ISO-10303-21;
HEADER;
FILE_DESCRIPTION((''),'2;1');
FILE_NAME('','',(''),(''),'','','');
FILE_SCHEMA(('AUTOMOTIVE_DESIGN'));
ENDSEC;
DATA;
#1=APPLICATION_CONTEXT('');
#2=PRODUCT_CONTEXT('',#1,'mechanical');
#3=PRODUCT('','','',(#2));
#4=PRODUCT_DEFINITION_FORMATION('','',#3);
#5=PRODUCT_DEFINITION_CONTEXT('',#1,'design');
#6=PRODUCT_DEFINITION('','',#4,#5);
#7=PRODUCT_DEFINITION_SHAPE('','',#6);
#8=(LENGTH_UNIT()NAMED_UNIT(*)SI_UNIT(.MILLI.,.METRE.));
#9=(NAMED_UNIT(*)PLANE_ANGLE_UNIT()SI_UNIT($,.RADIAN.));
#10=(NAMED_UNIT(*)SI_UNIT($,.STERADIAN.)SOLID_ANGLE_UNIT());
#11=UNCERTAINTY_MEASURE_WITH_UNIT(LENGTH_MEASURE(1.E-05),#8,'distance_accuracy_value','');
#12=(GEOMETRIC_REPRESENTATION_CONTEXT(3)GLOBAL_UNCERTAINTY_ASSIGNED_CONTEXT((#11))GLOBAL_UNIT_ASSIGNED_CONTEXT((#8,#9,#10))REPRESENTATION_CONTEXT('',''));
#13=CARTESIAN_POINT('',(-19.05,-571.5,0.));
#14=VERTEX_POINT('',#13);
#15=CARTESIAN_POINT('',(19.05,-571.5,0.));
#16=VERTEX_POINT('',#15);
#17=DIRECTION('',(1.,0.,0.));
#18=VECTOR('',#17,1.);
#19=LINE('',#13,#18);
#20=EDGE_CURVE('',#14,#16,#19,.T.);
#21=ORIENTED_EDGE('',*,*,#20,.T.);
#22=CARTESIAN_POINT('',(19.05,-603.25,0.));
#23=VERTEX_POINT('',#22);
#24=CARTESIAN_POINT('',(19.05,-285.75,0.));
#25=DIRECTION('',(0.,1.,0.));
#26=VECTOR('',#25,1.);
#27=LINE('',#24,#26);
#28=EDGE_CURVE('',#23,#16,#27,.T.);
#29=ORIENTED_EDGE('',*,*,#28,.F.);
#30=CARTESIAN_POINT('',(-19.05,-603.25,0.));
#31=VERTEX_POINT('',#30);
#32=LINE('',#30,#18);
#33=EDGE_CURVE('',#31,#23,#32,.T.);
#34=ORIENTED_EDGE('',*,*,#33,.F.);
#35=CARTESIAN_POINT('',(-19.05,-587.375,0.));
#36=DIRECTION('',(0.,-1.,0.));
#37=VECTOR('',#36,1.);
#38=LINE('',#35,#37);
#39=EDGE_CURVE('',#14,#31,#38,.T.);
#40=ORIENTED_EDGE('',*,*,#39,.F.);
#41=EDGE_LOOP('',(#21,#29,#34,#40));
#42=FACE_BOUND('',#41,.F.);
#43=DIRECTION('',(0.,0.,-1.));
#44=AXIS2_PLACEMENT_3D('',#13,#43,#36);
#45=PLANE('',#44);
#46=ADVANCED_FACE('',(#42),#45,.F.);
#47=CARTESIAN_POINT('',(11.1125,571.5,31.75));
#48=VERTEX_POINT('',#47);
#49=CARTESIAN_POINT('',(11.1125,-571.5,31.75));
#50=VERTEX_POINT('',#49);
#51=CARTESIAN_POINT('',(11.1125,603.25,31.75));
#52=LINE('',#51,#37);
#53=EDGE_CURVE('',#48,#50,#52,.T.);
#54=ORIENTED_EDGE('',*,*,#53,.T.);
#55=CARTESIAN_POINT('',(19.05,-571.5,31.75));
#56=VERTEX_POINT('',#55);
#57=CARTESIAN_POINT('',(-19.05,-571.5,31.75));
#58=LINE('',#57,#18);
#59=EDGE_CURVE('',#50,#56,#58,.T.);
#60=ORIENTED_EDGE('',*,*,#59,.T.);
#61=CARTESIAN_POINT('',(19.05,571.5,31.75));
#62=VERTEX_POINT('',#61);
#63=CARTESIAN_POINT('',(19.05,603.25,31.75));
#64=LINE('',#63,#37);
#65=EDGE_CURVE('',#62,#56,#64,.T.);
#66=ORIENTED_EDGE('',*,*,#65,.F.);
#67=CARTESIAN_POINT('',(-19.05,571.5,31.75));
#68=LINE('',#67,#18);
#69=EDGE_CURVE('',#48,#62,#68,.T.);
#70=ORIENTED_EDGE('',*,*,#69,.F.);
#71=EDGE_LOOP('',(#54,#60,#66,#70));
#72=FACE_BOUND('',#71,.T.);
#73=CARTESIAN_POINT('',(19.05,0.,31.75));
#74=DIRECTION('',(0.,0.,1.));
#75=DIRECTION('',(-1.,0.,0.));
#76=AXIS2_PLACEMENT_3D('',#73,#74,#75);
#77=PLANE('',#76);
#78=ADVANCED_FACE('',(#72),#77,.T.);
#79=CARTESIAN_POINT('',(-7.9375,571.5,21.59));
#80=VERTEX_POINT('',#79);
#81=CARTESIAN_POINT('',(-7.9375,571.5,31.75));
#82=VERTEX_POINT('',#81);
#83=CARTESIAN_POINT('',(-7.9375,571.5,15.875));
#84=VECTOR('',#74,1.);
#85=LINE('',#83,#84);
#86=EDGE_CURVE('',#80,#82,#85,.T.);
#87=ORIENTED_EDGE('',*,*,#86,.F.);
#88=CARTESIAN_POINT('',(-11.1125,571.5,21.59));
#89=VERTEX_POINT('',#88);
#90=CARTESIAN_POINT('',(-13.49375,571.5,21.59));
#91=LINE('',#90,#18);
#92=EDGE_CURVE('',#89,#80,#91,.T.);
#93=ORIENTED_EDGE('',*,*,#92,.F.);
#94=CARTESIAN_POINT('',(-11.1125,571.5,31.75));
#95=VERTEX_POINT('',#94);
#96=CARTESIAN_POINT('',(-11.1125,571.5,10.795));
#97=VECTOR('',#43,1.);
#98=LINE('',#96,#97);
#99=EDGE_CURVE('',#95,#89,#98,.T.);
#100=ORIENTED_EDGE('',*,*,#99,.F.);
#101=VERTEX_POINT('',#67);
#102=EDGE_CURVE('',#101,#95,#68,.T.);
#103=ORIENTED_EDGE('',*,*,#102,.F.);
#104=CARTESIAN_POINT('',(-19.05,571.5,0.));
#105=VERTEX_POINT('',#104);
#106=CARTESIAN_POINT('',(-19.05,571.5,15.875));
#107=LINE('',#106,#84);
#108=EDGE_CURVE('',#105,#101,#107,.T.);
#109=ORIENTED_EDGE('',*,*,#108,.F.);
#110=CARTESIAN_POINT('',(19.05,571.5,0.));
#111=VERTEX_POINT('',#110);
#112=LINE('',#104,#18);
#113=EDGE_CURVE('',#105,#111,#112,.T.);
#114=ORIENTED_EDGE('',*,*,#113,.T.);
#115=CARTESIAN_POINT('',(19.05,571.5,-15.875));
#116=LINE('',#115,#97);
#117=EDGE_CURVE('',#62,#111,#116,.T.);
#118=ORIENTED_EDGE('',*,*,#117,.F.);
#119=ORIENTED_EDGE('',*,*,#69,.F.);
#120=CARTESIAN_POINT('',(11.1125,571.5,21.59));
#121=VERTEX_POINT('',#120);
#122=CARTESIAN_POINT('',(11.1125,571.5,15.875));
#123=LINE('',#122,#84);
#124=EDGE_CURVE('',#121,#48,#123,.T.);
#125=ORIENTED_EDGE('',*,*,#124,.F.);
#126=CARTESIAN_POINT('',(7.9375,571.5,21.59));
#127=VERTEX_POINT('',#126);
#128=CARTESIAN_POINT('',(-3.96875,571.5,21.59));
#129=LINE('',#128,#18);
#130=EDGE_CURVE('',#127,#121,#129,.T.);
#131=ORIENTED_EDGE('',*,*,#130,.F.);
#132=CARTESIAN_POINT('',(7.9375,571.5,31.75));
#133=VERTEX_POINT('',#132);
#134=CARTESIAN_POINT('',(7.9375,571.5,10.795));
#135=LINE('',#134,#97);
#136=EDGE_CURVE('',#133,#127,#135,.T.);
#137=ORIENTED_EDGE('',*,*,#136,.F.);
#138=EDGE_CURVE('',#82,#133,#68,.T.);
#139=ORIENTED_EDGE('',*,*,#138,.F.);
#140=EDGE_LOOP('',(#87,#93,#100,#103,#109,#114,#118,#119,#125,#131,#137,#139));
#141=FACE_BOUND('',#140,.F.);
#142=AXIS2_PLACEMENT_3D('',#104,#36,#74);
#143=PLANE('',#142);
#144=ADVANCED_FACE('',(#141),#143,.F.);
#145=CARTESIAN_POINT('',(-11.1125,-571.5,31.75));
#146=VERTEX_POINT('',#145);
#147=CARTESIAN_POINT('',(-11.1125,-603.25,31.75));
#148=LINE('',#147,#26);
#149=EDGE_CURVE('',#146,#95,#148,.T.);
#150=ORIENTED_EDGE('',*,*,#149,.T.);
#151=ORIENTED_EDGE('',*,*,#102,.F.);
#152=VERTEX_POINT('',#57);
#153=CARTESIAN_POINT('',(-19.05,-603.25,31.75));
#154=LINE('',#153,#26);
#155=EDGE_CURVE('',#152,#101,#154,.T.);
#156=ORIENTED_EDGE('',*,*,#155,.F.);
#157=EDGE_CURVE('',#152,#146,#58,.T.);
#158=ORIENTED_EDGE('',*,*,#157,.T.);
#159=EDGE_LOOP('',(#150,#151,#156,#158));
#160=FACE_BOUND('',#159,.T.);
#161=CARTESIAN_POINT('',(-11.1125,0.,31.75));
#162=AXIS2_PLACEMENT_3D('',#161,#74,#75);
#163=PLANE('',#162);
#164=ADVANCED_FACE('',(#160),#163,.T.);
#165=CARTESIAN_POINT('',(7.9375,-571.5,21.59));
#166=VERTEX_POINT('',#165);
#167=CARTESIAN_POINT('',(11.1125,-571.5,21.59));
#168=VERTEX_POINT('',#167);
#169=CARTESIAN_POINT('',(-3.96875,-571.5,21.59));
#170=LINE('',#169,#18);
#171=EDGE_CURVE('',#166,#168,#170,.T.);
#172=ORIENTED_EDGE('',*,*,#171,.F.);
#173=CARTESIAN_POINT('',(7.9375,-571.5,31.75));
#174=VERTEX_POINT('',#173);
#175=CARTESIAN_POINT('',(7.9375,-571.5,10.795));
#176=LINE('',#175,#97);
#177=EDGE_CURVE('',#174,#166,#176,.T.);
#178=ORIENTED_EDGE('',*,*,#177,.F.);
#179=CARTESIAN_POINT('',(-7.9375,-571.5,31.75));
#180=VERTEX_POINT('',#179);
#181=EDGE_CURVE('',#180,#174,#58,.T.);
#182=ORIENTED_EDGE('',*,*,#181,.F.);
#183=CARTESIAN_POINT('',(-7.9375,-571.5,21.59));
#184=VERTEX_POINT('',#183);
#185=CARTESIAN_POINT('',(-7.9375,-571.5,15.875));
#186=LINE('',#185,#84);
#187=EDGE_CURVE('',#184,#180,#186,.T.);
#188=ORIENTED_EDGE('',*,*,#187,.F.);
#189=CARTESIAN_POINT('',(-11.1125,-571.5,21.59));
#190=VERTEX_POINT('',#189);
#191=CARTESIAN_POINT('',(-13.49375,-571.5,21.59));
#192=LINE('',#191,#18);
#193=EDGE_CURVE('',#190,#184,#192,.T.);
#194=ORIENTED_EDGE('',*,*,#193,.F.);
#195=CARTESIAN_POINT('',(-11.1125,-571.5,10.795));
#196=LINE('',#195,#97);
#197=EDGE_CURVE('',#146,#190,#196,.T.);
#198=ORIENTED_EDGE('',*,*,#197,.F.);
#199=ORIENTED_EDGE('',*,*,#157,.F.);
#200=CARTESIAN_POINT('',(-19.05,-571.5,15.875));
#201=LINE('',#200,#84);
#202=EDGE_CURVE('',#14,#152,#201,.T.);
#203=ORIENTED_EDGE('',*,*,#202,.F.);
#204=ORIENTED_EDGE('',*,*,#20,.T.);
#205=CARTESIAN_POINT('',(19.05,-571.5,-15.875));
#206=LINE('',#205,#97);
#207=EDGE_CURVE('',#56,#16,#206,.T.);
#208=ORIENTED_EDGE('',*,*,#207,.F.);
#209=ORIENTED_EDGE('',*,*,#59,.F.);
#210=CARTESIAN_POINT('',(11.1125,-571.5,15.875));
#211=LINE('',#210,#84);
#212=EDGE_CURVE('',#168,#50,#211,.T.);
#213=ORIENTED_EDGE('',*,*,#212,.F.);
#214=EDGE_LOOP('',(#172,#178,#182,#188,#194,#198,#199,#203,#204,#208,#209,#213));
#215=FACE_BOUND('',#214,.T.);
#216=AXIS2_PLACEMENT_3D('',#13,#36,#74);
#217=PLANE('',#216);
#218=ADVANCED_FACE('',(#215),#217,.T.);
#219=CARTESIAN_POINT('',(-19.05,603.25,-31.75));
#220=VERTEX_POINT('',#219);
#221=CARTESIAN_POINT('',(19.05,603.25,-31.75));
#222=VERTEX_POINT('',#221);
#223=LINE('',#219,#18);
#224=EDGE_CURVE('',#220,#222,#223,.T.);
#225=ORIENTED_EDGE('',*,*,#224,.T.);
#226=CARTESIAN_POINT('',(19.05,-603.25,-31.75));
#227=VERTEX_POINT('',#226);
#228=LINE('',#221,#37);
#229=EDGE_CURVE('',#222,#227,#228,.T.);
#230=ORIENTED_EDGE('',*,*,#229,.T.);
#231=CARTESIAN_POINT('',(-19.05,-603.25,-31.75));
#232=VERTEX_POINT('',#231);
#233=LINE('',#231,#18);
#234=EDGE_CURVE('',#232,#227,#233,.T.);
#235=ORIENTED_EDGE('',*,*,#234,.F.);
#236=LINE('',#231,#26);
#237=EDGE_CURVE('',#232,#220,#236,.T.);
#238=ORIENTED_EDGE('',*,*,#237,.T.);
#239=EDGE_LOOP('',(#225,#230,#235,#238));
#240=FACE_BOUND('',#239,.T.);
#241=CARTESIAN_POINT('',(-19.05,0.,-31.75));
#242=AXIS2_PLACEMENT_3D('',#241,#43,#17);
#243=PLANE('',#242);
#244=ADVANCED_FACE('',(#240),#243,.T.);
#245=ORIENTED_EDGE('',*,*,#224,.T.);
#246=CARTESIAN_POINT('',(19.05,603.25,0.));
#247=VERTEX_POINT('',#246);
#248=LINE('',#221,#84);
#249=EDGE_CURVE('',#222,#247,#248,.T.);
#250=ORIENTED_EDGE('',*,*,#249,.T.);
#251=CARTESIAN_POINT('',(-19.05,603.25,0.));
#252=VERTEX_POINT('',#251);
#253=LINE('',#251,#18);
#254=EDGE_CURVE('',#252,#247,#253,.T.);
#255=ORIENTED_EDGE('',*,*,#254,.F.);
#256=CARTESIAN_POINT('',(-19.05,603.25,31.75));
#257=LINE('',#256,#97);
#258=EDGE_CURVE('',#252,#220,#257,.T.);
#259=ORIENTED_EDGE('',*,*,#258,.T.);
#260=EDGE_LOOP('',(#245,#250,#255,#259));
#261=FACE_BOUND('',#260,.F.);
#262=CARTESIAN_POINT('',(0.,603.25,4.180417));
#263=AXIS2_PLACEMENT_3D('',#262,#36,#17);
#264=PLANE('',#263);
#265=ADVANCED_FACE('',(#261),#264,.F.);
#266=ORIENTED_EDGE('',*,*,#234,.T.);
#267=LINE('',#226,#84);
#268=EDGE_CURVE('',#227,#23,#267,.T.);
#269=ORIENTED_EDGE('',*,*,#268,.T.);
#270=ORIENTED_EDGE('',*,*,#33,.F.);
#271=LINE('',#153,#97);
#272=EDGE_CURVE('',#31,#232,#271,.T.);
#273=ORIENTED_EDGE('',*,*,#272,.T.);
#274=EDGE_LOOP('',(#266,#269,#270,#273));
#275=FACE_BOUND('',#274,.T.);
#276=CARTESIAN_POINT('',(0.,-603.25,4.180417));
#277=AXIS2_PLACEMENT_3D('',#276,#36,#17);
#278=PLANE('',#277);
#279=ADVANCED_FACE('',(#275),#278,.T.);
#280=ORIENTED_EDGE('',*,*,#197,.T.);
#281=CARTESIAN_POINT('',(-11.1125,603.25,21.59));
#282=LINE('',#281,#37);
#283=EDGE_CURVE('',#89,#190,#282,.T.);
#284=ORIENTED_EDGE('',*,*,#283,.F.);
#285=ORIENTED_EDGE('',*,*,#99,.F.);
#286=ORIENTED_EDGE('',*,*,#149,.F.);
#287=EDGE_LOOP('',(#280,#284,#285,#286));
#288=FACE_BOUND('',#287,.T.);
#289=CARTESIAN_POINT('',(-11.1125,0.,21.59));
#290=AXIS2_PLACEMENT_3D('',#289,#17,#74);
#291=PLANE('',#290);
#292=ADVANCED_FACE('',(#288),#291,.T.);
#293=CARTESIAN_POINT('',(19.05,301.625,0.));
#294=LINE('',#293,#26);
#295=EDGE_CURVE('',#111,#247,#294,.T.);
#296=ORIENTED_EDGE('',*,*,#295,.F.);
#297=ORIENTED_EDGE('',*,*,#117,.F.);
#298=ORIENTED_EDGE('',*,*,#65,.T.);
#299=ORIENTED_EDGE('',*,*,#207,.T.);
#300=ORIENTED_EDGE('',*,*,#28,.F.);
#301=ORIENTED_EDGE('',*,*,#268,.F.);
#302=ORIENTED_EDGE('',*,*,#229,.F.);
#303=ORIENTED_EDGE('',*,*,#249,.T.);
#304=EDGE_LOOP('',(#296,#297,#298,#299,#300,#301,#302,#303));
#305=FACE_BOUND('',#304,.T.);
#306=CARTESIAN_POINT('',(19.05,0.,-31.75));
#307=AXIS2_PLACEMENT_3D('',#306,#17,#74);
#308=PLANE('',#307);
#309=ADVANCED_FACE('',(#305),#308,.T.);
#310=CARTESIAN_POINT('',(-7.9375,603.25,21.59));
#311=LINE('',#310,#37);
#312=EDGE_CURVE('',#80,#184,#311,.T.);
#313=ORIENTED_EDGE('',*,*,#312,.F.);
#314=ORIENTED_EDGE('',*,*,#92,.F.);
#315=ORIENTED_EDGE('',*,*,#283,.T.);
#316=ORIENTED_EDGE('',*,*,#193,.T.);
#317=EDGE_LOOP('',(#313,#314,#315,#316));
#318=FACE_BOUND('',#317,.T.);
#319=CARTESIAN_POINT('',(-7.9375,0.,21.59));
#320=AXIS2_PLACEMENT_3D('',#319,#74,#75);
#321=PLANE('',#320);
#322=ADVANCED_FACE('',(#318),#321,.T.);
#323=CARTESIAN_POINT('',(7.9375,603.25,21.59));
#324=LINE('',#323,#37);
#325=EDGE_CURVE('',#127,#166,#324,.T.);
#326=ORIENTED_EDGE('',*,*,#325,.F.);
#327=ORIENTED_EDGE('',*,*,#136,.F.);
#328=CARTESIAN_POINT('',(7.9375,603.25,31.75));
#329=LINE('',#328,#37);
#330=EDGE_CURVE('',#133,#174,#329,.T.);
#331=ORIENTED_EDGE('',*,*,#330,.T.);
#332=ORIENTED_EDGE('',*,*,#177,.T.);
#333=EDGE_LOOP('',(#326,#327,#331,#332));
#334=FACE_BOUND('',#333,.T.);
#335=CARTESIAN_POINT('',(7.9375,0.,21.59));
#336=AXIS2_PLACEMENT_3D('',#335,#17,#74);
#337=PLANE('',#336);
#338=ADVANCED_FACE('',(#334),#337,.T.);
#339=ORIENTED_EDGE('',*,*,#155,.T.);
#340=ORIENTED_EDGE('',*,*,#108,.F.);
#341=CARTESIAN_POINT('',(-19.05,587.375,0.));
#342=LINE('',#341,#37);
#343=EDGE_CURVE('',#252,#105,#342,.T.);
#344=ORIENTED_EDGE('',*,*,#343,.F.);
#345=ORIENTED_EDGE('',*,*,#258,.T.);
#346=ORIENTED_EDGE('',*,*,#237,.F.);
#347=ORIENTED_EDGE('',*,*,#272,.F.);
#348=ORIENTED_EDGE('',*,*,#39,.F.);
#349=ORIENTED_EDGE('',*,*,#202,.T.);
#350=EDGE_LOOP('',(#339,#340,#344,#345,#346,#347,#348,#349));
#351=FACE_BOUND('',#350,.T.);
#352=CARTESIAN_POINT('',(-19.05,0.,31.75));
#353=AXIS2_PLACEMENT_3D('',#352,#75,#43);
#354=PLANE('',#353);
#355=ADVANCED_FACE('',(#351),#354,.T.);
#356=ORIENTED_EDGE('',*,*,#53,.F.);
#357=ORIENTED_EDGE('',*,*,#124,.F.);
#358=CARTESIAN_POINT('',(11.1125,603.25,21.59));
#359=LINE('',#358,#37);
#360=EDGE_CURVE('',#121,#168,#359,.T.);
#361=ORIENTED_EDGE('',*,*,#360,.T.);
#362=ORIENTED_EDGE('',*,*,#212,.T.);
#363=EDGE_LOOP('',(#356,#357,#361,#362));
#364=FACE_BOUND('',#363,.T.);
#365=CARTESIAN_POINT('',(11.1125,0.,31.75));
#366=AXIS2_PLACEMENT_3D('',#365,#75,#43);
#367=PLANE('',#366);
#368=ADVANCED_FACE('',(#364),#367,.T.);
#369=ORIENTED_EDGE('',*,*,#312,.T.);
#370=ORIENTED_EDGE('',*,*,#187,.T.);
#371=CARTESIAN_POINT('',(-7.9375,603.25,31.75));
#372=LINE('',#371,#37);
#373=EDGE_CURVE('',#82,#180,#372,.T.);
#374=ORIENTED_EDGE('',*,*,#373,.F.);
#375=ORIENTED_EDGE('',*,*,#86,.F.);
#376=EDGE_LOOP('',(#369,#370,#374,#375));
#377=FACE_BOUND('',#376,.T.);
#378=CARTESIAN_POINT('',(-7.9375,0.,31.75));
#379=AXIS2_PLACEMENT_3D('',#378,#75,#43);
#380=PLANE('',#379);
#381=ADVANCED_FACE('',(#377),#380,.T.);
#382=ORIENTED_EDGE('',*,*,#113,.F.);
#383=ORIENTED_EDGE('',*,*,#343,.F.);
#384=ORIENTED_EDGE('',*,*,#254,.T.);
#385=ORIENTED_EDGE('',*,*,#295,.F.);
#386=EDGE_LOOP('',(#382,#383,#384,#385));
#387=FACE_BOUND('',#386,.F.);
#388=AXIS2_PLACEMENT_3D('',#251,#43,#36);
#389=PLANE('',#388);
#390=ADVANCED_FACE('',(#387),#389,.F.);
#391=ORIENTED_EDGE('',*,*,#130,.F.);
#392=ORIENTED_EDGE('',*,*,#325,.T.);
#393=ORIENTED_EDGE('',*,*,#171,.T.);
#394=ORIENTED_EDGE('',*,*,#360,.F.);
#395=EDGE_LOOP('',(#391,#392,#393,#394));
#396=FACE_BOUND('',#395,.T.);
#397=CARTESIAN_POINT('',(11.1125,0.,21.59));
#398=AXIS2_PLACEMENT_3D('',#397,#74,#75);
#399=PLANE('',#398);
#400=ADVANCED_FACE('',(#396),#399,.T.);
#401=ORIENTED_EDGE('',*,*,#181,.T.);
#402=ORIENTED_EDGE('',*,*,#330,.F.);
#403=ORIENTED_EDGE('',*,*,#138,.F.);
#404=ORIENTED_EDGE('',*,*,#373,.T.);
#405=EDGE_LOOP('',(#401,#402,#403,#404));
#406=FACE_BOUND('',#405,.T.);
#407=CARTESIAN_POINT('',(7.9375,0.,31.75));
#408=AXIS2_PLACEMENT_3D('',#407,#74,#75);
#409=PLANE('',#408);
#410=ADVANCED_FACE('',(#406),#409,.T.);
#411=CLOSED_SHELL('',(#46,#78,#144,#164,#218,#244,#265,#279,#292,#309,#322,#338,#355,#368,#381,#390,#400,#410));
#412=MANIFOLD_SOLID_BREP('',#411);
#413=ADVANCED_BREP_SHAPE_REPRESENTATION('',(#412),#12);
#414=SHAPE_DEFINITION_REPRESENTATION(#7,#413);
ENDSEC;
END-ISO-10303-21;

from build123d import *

# Parameters (mm, degrees)
F1_DEPTH = 603.25
F2_W     = 31.75
F2_H     = 31.75
F3_DEPTH = 38.101


with BuildPart() as f1:
    # F0 (on Front) → F1 (new body, symmetric)
    with BuildSketch(Plane.XZ):
        Polygon((-19.05, -31.75), (19.05, -31.75), (19.05, 31.75), (11.1125, 31.75), (11.1125, 21.59), (7.9375, 21.59), (7.9375, 31.75), (-7.9375, 31.75), (-7.9375, 21.59), (-11.1125, 21.59), (-11.1125, 31.75), (-19.05, 31.75), align=None)
    extrude(amount=F1_DEPTH, both=True)

    # F2 (on face) → F3 (cut, through all)
    with BuildSketch(Plane(origin=(-19.05, 0, 0), x_dir=(0, -1, 0), z_dir=(-1, 0, 0))):
        with Locations((587.375, 15.875)):
            Rectangle(F2_W, F2_H)
        with Locations((-587.375, 15.875)):
            Rectangle(F2_W, F2_H)
    extrude(amount=-F3_DEPTH, mode=Mode.SUBTRACT)


solid = f1.part
